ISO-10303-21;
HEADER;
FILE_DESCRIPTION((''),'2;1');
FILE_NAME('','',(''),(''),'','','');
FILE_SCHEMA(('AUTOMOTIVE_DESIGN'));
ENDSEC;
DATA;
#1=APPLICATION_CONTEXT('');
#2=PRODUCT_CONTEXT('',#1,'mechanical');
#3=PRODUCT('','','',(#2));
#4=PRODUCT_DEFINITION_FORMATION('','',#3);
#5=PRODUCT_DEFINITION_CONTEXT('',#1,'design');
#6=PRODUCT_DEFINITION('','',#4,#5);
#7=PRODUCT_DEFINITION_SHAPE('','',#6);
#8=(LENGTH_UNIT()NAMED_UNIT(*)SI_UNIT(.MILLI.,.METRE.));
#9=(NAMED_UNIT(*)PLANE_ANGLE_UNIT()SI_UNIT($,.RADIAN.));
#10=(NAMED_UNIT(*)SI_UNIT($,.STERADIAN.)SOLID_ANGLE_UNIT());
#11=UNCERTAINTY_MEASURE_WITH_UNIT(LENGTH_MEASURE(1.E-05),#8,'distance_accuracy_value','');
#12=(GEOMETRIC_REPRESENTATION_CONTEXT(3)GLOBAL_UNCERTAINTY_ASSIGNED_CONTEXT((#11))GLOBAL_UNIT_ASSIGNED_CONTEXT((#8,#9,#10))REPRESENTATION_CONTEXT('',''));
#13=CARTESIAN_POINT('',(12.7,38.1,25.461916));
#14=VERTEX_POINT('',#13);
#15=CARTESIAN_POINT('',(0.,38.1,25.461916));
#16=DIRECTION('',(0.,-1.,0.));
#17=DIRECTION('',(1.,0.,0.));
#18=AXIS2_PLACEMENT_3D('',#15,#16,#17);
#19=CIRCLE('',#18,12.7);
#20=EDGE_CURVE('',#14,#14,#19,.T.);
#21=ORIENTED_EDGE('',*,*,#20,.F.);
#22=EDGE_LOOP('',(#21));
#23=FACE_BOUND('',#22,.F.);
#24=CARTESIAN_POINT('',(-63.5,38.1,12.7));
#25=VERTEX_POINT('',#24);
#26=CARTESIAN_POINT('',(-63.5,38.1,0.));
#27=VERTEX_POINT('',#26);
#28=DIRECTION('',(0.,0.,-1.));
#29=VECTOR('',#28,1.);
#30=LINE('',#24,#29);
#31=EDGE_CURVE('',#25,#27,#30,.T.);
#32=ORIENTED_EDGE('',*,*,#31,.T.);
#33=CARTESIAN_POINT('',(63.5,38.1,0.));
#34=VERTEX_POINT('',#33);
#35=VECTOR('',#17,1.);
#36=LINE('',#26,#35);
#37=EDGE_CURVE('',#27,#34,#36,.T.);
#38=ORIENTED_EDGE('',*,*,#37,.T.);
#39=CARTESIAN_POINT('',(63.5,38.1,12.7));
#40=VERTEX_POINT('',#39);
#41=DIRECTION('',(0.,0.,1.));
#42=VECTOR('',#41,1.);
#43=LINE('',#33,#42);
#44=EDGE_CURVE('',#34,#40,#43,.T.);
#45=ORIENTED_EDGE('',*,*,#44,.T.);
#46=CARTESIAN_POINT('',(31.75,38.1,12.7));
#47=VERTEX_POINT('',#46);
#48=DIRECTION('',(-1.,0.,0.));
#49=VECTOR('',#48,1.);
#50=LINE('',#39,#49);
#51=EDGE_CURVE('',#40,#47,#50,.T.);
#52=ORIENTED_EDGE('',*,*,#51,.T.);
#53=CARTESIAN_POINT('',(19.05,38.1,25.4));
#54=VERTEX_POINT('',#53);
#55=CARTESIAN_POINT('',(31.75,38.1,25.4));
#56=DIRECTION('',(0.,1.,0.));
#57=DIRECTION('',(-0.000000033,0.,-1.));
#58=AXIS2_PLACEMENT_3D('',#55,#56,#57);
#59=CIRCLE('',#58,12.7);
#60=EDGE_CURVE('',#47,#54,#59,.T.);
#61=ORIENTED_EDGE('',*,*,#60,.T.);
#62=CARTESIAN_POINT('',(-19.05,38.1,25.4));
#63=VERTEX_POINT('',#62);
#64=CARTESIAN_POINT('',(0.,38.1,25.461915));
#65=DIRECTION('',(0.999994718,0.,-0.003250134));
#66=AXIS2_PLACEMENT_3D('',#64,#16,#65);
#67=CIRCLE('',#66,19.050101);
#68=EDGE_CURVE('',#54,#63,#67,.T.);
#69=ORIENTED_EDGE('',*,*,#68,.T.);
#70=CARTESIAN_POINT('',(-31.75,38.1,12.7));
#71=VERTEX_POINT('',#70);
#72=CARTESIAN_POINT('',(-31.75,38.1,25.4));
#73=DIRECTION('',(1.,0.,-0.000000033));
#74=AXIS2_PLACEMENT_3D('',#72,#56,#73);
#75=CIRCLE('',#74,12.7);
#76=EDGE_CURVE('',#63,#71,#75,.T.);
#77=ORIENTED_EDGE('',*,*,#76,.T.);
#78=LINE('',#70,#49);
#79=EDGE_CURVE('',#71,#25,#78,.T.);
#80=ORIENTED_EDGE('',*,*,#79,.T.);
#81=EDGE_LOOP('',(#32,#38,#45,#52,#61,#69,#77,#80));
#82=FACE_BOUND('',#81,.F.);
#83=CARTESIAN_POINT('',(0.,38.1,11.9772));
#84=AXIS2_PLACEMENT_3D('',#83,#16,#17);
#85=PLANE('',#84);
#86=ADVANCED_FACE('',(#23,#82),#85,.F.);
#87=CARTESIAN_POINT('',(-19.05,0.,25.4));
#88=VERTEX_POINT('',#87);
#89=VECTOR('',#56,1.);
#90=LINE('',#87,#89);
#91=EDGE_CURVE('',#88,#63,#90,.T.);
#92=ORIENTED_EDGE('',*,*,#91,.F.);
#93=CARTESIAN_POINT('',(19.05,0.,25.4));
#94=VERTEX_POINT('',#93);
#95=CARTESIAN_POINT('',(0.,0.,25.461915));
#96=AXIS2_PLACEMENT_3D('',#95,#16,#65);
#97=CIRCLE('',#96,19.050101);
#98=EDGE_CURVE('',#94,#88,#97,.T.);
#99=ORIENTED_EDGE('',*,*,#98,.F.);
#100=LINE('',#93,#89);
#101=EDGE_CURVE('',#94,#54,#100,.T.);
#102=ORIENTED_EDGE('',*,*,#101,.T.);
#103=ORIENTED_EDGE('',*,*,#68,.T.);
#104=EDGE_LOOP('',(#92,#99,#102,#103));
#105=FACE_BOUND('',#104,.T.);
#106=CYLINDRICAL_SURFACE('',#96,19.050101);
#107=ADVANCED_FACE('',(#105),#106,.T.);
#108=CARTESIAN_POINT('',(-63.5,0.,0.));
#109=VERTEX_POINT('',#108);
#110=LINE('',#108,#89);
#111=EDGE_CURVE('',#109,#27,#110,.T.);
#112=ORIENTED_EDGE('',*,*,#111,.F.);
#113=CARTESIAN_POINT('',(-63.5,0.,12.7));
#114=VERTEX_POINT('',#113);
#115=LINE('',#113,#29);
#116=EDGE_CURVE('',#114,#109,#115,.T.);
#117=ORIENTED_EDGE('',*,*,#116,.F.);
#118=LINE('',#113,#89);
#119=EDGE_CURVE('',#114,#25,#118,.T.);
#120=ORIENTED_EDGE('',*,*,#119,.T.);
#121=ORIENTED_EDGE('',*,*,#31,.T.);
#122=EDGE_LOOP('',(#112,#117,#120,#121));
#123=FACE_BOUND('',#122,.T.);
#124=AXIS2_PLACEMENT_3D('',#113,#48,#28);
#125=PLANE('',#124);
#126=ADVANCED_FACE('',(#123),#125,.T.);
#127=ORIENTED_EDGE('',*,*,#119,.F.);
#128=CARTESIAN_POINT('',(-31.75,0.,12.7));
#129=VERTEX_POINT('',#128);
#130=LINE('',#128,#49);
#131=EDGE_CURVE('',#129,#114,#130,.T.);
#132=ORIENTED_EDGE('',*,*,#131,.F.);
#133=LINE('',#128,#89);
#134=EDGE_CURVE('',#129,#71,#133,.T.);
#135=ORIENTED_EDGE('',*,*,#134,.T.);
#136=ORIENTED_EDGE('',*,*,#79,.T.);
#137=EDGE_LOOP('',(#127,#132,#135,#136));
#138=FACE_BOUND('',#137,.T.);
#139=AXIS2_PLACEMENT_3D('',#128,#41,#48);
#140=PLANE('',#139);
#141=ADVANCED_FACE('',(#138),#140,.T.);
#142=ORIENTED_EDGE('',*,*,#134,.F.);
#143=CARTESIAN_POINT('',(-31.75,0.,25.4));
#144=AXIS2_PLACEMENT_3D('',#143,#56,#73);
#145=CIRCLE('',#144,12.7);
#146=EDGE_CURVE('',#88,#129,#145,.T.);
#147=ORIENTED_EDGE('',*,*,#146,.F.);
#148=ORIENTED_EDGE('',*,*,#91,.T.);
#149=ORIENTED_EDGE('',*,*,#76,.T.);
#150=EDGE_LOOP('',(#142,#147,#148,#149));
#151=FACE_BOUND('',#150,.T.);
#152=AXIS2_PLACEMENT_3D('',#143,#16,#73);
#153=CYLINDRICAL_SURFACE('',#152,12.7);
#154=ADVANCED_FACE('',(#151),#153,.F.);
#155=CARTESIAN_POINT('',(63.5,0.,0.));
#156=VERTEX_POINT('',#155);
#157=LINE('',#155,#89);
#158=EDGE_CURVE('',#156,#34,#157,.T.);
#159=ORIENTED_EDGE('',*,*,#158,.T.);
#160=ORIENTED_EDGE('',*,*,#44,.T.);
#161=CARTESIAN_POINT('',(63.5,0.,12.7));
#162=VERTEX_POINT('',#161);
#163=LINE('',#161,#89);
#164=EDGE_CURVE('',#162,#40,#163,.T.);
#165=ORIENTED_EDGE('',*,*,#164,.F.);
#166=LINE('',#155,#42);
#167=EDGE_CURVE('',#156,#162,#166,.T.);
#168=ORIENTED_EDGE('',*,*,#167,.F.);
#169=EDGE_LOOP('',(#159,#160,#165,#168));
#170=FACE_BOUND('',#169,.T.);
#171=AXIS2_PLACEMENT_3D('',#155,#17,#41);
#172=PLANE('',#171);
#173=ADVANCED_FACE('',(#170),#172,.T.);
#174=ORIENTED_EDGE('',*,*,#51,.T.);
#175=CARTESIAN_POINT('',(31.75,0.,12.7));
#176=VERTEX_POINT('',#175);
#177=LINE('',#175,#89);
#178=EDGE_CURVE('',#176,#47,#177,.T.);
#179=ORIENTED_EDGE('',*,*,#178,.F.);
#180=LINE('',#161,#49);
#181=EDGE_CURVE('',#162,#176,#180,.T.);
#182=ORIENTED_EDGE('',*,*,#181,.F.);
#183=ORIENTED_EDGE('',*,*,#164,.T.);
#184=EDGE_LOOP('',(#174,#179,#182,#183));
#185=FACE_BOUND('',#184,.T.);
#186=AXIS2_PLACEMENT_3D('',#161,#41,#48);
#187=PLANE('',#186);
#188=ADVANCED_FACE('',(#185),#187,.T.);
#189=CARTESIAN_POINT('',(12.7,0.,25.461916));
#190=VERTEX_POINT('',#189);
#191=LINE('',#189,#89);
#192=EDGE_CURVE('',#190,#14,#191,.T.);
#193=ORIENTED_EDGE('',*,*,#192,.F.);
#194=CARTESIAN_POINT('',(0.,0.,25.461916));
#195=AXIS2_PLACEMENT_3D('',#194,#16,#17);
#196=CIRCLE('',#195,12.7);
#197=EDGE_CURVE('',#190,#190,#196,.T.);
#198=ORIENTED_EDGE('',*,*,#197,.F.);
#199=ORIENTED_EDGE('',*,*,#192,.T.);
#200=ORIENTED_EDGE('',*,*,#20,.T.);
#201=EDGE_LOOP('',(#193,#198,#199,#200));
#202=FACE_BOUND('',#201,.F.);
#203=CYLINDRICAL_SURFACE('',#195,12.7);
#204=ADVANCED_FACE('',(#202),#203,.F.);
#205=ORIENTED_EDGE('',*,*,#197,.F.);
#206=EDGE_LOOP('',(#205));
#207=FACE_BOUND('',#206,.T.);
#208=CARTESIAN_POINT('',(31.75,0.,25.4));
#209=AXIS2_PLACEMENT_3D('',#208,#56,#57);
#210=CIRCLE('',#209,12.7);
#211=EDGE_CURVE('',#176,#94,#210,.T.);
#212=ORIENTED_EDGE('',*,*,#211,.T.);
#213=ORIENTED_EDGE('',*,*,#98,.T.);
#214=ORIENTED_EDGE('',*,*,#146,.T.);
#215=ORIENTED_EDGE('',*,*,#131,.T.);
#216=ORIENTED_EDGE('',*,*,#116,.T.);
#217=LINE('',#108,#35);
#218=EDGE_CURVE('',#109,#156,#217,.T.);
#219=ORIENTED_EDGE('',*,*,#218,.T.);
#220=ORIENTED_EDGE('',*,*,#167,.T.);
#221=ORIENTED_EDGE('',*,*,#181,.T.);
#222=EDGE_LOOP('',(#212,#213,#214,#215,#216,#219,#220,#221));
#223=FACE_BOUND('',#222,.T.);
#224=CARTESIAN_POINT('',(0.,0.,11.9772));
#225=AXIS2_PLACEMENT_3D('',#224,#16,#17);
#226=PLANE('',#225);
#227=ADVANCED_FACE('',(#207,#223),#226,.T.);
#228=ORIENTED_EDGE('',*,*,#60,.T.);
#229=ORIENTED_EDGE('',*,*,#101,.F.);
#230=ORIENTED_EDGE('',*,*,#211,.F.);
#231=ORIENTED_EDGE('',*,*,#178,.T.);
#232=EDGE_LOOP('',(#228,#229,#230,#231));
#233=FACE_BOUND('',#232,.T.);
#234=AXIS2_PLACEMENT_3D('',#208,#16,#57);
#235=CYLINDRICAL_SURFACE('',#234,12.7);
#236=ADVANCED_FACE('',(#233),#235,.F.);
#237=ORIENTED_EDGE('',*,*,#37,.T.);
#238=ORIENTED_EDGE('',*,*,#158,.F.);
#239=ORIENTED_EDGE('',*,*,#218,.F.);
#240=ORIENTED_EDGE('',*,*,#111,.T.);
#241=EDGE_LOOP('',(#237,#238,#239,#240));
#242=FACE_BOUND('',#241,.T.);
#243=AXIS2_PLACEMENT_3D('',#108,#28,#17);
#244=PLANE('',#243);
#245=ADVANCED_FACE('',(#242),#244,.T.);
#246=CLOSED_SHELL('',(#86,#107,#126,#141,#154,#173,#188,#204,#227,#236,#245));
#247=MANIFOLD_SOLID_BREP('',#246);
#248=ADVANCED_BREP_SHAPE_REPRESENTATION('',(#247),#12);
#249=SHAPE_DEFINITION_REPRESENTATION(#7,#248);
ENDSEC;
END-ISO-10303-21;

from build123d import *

# Parameters (mm, degrees)
F0_R     = 12.7
F1_DEPTH = 38.1


with BuildPart() as f1:
    # F0 (on Front) → F1 (new body)
    with BuildSketch(Plane.XZ):
        with BuildLine():
            Line((-63.5, 0), (0, 0))
            Line((0, 0), (63.5, 0))
            Line((63.5, 0), (63.5, 12.7))
            Line((63.5, 12.7), (31.75, 12.7))
            ThreePointArc((31.75, 12.7), (22.769744, 16.419744), (19.05, 25.4))
            ThreePointArc((19.05, 25.4), (0, 44.512016), (-19.05, 25.4))
            ThreePointArc((-19.05, 25.4), (-22.769744, 16.419744), (-31.75, 12.7))
            Line((-31.75, 12.7), (-63.5, 12.7))
            Line((-63.5, 12.7), (-63.5, 0))
        make_face()
        with Locations((0, 25.461916)):
            Circle(F0_R, mode=Mode.SUBTRACT)
    extrude(amount=-F1_DEPTH)


solid = f1.part
